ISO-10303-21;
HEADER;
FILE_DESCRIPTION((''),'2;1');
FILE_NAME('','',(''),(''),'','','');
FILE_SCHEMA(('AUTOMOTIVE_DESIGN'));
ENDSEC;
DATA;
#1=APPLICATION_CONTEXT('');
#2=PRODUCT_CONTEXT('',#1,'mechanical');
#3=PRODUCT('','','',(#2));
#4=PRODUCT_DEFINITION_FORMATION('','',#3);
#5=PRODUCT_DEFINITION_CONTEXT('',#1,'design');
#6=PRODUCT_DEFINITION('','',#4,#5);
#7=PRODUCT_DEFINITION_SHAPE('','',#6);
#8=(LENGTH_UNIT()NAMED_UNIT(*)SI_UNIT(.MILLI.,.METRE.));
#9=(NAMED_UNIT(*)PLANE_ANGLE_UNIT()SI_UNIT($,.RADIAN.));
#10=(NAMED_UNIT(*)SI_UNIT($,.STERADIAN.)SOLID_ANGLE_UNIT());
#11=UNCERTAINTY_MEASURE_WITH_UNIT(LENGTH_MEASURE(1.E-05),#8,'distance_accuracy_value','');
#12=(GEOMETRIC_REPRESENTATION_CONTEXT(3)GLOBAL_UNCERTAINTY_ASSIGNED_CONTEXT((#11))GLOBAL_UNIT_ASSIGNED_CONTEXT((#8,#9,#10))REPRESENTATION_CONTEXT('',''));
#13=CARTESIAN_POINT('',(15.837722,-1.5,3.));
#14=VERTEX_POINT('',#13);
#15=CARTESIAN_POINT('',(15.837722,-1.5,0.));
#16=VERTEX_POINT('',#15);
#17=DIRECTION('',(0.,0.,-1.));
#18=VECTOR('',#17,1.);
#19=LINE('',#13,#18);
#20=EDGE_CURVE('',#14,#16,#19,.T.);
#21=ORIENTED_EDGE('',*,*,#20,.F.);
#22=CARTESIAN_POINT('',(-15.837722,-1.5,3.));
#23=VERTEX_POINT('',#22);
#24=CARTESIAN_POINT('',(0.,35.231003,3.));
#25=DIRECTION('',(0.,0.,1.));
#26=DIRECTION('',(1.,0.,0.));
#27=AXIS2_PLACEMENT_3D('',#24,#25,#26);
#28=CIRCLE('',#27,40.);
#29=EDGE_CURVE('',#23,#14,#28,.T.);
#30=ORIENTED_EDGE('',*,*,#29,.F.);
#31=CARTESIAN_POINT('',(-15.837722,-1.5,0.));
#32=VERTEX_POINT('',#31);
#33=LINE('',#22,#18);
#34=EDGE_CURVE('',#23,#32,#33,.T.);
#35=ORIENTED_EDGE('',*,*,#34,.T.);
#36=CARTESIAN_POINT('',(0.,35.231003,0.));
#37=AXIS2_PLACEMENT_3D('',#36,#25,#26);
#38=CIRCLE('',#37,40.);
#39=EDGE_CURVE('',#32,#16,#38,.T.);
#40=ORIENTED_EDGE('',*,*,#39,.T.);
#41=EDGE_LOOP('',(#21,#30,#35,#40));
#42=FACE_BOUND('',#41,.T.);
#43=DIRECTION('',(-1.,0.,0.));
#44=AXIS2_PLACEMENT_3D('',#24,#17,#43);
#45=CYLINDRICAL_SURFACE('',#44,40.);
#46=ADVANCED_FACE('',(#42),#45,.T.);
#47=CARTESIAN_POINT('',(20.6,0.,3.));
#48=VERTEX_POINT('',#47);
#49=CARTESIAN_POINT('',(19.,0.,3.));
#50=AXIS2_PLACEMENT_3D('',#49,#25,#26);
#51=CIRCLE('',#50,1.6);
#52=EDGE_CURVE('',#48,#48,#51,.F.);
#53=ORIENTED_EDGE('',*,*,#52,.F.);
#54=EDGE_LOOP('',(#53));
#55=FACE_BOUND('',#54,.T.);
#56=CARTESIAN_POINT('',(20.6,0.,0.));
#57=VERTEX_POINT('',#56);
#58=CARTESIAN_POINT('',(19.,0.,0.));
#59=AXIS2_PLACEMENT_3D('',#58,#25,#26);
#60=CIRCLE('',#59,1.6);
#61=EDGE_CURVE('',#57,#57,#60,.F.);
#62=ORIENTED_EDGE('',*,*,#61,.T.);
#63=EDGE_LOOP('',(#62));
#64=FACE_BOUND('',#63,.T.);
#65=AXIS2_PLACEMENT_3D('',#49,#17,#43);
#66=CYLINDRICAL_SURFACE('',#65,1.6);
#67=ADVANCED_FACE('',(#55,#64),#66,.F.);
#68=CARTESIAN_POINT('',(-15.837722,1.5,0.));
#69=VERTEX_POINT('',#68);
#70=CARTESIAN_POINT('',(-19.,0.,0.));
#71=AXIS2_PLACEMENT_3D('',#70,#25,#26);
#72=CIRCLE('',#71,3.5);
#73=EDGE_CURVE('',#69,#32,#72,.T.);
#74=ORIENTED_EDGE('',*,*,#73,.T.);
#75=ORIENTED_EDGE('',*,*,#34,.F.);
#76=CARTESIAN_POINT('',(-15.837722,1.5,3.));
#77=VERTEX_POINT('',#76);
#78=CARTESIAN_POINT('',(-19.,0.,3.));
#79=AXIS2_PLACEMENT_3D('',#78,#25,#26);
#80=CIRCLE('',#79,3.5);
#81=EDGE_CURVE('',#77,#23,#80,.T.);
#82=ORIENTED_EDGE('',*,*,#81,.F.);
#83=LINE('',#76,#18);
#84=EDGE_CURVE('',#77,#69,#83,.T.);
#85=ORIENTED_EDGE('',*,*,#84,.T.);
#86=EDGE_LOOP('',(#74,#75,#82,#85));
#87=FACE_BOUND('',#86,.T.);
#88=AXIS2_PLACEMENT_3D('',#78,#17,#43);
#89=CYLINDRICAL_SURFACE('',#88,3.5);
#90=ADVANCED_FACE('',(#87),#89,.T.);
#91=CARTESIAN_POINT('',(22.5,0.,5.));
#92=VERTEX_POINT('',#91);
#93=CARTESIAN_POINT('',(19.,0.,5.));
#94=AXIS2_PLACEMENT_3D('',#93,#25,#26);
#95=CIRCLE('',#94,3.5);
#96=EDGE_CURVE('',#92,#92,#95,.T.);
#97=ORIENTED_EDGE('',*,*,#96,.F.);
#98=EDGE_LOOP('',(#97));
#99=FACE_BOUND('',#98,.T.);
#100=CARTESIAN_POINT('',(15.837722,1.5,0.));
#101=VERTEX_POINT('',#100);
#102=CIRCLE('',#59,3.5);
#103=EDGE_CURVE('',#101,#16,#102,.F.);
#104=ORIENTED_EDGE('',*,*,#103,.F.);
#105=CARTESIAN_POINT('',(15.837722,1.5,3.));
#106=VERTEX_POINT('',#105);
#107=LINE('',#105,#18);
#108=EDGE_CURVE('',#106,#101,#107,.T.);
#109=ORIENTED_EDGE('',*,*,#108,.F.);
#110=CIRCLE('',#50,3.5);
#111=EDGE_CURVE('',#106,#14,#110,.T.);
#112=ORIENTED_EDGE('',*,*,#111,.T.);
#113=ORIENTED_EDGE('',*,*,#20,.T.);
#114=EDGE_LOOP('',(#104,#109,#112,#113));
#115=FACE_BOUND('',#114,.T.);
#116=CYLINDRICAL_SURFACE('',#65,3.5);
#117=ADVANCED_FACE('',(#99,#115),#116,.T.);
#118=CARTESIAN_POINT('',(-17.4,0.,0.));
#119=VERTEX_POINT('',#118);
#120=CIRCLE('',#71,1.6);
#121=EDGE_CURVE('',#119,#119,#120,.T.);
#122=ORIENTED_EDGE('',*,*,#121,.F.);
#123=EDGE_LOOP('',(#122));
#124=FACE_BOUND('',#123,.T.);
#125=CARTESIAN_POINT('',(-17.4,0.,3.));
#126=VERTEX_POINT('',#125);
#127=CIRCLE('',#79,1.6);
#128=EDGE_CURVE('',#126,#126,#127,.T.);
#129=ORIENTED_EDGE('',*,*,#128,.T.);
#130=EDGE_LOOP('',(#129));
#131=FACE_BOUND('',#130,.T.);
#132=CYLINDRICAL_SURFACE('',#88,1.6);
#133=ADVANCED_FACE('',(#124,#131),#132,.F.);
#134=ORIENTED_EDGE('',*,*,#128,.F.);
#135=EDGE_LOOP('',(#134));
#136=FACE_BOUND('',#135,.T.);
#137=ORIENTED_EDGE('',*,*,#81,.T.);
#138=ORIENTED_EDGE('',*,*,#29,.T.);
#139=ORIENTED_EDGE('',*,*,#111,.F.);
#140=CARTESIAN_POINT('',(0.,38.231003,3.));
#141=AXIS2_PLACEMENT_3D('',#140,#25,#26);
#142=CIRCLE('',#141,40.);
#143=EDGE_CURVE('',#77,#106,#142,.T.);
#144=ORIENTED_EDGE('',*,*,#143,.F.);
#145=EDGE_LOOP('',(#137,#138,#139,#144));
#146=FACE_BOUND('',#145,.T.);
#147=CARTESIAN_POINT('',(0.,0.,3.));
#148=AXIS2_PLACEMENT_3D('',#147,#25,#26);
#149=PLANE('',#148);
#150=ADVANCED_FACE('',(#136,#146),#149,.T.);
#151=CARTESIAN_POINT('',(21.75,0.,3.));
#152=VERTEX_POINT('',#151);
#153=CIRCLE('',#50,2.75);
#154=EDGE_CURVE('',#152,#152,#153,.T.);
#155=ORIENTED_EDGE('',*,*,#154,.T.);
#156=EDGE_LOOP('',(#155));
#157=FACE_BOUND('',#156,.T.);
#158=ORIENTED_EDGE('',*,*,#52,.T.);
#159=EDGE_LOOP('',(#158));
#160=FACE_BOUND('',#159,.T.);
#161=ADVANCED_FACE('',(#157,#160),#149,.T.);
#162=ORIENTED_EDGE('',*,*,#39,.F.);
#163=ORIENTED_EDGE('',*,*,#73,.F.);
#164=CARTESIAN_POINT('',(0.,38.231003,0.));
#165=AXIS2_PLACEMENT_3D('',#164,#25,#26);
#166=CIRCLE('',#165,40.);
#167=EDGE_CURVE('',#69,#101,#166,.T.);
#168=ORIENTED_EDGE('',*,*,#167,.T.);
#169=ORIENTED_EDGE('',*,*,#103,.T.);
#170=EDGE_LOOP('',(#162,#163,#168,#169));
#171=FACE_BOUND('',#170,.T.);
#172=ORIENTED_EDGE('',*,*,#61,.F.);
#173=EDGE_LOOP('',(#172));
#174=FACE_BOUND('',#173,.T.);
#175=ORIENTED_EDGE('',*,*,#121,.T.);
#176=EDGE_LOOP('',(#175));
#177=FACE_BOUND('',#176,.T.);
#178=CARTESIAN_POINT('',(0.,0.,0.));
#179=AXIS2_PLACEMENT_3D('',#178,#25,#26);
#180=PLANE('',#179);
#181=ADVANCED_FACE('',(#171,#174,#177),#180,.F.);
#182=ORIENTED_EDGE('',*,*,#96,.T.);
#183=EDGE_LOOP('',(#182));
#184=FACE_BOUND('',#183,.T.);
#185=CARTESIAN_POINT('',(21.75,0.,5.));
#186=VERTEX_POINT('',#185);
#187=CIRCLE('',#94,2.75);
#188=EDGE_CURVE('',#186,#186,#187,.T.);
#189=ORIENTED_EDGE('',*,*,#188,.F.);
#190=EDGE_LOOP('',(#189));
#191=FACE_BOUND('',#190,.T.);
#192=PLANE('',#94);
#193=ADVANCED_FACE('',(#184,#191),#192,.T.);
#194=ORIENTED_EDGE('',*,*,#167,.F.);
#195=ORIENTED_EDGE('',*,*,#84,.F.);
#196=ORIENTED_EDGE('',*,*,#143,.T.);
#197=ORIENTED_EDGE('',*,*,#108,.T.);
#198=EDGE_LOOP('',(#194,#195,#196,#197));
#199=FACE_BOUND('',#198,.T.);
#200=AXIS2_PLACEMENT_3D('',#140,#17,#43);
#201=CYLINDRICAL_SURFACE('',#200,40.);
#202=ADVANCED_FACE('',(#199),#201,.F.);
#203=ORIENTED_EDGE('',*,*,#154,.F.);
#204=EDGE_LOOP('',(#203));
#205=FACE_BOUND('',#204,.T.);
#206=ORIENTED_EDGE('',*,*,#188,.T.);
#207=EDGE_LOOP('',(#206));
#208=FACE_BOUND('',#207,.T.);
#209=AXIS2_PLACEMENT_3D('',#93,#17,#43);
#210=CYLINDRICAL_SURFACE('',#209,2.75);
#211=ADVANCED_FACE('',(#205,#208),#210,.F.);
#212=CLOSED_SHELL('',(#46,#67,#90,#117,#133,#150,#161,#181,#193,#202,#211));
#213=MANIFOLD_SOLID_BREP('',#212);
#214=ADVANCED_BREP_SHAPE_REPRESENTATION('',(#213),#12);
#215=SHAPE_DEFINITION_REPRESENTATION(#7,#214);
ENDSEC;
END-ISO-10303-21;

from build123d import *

# Parameters (mm, degrees)
SKETCH2_R           = 1.6
BOSS_EXTRUDE1_DEPTH = 3
SKETCH3_R           = 3.5
SKETCH3_R_2         = 2.75
BOSS_EXTRUDE2_DEPTH = 2


with BuildPart() as part:
    # Sketch2 → Boss-Extrude1 (new body)
    with BuildSketch(Plane.XY):
        with BuildLine():
            ThreePointArc((-15.83772234, 1.5), (-22.5, 0), (-15.83772234, -1.5))
            ThreePointArc((-15.83772234, -1.5), (0, -4.768997412), (15.83772234, -1.5))
            ThreePointArc((15.83772234, -1.5), (22.5, 0), (15.83772234, 1.5))
            ThreePointArc((15.83772234, 1.5), (0, -1.768997412), (-15.83772234, 1.5))
        make_face()
        with Locations((-19, 0)):
            Circle(SKETCH2_R, mode=Mode.SUBTRACT)
        with Locations((19, 0)):
            Circle(SKETCH2_R, mode=Mode.SUBTRACT)
    extrude(amount=BOSS_EXTRUDE1_DEPTH)

    # Sketch3 → Boss-Extrude2 (add)
    with BuildSketch(Plane.XY.offset(3)):
        with Locations(Location((19, 0, 0), (0, 0, 154.623066475))):
            Circle(SKETCH3_R)
        with Locations((19, 0)):
            Circle(SKETCH3_R_2, mode=Mode.SUBTRACT)
    extrude(amount=BOSS_EXTRUDE2_DEPTH)


solid = part.part
